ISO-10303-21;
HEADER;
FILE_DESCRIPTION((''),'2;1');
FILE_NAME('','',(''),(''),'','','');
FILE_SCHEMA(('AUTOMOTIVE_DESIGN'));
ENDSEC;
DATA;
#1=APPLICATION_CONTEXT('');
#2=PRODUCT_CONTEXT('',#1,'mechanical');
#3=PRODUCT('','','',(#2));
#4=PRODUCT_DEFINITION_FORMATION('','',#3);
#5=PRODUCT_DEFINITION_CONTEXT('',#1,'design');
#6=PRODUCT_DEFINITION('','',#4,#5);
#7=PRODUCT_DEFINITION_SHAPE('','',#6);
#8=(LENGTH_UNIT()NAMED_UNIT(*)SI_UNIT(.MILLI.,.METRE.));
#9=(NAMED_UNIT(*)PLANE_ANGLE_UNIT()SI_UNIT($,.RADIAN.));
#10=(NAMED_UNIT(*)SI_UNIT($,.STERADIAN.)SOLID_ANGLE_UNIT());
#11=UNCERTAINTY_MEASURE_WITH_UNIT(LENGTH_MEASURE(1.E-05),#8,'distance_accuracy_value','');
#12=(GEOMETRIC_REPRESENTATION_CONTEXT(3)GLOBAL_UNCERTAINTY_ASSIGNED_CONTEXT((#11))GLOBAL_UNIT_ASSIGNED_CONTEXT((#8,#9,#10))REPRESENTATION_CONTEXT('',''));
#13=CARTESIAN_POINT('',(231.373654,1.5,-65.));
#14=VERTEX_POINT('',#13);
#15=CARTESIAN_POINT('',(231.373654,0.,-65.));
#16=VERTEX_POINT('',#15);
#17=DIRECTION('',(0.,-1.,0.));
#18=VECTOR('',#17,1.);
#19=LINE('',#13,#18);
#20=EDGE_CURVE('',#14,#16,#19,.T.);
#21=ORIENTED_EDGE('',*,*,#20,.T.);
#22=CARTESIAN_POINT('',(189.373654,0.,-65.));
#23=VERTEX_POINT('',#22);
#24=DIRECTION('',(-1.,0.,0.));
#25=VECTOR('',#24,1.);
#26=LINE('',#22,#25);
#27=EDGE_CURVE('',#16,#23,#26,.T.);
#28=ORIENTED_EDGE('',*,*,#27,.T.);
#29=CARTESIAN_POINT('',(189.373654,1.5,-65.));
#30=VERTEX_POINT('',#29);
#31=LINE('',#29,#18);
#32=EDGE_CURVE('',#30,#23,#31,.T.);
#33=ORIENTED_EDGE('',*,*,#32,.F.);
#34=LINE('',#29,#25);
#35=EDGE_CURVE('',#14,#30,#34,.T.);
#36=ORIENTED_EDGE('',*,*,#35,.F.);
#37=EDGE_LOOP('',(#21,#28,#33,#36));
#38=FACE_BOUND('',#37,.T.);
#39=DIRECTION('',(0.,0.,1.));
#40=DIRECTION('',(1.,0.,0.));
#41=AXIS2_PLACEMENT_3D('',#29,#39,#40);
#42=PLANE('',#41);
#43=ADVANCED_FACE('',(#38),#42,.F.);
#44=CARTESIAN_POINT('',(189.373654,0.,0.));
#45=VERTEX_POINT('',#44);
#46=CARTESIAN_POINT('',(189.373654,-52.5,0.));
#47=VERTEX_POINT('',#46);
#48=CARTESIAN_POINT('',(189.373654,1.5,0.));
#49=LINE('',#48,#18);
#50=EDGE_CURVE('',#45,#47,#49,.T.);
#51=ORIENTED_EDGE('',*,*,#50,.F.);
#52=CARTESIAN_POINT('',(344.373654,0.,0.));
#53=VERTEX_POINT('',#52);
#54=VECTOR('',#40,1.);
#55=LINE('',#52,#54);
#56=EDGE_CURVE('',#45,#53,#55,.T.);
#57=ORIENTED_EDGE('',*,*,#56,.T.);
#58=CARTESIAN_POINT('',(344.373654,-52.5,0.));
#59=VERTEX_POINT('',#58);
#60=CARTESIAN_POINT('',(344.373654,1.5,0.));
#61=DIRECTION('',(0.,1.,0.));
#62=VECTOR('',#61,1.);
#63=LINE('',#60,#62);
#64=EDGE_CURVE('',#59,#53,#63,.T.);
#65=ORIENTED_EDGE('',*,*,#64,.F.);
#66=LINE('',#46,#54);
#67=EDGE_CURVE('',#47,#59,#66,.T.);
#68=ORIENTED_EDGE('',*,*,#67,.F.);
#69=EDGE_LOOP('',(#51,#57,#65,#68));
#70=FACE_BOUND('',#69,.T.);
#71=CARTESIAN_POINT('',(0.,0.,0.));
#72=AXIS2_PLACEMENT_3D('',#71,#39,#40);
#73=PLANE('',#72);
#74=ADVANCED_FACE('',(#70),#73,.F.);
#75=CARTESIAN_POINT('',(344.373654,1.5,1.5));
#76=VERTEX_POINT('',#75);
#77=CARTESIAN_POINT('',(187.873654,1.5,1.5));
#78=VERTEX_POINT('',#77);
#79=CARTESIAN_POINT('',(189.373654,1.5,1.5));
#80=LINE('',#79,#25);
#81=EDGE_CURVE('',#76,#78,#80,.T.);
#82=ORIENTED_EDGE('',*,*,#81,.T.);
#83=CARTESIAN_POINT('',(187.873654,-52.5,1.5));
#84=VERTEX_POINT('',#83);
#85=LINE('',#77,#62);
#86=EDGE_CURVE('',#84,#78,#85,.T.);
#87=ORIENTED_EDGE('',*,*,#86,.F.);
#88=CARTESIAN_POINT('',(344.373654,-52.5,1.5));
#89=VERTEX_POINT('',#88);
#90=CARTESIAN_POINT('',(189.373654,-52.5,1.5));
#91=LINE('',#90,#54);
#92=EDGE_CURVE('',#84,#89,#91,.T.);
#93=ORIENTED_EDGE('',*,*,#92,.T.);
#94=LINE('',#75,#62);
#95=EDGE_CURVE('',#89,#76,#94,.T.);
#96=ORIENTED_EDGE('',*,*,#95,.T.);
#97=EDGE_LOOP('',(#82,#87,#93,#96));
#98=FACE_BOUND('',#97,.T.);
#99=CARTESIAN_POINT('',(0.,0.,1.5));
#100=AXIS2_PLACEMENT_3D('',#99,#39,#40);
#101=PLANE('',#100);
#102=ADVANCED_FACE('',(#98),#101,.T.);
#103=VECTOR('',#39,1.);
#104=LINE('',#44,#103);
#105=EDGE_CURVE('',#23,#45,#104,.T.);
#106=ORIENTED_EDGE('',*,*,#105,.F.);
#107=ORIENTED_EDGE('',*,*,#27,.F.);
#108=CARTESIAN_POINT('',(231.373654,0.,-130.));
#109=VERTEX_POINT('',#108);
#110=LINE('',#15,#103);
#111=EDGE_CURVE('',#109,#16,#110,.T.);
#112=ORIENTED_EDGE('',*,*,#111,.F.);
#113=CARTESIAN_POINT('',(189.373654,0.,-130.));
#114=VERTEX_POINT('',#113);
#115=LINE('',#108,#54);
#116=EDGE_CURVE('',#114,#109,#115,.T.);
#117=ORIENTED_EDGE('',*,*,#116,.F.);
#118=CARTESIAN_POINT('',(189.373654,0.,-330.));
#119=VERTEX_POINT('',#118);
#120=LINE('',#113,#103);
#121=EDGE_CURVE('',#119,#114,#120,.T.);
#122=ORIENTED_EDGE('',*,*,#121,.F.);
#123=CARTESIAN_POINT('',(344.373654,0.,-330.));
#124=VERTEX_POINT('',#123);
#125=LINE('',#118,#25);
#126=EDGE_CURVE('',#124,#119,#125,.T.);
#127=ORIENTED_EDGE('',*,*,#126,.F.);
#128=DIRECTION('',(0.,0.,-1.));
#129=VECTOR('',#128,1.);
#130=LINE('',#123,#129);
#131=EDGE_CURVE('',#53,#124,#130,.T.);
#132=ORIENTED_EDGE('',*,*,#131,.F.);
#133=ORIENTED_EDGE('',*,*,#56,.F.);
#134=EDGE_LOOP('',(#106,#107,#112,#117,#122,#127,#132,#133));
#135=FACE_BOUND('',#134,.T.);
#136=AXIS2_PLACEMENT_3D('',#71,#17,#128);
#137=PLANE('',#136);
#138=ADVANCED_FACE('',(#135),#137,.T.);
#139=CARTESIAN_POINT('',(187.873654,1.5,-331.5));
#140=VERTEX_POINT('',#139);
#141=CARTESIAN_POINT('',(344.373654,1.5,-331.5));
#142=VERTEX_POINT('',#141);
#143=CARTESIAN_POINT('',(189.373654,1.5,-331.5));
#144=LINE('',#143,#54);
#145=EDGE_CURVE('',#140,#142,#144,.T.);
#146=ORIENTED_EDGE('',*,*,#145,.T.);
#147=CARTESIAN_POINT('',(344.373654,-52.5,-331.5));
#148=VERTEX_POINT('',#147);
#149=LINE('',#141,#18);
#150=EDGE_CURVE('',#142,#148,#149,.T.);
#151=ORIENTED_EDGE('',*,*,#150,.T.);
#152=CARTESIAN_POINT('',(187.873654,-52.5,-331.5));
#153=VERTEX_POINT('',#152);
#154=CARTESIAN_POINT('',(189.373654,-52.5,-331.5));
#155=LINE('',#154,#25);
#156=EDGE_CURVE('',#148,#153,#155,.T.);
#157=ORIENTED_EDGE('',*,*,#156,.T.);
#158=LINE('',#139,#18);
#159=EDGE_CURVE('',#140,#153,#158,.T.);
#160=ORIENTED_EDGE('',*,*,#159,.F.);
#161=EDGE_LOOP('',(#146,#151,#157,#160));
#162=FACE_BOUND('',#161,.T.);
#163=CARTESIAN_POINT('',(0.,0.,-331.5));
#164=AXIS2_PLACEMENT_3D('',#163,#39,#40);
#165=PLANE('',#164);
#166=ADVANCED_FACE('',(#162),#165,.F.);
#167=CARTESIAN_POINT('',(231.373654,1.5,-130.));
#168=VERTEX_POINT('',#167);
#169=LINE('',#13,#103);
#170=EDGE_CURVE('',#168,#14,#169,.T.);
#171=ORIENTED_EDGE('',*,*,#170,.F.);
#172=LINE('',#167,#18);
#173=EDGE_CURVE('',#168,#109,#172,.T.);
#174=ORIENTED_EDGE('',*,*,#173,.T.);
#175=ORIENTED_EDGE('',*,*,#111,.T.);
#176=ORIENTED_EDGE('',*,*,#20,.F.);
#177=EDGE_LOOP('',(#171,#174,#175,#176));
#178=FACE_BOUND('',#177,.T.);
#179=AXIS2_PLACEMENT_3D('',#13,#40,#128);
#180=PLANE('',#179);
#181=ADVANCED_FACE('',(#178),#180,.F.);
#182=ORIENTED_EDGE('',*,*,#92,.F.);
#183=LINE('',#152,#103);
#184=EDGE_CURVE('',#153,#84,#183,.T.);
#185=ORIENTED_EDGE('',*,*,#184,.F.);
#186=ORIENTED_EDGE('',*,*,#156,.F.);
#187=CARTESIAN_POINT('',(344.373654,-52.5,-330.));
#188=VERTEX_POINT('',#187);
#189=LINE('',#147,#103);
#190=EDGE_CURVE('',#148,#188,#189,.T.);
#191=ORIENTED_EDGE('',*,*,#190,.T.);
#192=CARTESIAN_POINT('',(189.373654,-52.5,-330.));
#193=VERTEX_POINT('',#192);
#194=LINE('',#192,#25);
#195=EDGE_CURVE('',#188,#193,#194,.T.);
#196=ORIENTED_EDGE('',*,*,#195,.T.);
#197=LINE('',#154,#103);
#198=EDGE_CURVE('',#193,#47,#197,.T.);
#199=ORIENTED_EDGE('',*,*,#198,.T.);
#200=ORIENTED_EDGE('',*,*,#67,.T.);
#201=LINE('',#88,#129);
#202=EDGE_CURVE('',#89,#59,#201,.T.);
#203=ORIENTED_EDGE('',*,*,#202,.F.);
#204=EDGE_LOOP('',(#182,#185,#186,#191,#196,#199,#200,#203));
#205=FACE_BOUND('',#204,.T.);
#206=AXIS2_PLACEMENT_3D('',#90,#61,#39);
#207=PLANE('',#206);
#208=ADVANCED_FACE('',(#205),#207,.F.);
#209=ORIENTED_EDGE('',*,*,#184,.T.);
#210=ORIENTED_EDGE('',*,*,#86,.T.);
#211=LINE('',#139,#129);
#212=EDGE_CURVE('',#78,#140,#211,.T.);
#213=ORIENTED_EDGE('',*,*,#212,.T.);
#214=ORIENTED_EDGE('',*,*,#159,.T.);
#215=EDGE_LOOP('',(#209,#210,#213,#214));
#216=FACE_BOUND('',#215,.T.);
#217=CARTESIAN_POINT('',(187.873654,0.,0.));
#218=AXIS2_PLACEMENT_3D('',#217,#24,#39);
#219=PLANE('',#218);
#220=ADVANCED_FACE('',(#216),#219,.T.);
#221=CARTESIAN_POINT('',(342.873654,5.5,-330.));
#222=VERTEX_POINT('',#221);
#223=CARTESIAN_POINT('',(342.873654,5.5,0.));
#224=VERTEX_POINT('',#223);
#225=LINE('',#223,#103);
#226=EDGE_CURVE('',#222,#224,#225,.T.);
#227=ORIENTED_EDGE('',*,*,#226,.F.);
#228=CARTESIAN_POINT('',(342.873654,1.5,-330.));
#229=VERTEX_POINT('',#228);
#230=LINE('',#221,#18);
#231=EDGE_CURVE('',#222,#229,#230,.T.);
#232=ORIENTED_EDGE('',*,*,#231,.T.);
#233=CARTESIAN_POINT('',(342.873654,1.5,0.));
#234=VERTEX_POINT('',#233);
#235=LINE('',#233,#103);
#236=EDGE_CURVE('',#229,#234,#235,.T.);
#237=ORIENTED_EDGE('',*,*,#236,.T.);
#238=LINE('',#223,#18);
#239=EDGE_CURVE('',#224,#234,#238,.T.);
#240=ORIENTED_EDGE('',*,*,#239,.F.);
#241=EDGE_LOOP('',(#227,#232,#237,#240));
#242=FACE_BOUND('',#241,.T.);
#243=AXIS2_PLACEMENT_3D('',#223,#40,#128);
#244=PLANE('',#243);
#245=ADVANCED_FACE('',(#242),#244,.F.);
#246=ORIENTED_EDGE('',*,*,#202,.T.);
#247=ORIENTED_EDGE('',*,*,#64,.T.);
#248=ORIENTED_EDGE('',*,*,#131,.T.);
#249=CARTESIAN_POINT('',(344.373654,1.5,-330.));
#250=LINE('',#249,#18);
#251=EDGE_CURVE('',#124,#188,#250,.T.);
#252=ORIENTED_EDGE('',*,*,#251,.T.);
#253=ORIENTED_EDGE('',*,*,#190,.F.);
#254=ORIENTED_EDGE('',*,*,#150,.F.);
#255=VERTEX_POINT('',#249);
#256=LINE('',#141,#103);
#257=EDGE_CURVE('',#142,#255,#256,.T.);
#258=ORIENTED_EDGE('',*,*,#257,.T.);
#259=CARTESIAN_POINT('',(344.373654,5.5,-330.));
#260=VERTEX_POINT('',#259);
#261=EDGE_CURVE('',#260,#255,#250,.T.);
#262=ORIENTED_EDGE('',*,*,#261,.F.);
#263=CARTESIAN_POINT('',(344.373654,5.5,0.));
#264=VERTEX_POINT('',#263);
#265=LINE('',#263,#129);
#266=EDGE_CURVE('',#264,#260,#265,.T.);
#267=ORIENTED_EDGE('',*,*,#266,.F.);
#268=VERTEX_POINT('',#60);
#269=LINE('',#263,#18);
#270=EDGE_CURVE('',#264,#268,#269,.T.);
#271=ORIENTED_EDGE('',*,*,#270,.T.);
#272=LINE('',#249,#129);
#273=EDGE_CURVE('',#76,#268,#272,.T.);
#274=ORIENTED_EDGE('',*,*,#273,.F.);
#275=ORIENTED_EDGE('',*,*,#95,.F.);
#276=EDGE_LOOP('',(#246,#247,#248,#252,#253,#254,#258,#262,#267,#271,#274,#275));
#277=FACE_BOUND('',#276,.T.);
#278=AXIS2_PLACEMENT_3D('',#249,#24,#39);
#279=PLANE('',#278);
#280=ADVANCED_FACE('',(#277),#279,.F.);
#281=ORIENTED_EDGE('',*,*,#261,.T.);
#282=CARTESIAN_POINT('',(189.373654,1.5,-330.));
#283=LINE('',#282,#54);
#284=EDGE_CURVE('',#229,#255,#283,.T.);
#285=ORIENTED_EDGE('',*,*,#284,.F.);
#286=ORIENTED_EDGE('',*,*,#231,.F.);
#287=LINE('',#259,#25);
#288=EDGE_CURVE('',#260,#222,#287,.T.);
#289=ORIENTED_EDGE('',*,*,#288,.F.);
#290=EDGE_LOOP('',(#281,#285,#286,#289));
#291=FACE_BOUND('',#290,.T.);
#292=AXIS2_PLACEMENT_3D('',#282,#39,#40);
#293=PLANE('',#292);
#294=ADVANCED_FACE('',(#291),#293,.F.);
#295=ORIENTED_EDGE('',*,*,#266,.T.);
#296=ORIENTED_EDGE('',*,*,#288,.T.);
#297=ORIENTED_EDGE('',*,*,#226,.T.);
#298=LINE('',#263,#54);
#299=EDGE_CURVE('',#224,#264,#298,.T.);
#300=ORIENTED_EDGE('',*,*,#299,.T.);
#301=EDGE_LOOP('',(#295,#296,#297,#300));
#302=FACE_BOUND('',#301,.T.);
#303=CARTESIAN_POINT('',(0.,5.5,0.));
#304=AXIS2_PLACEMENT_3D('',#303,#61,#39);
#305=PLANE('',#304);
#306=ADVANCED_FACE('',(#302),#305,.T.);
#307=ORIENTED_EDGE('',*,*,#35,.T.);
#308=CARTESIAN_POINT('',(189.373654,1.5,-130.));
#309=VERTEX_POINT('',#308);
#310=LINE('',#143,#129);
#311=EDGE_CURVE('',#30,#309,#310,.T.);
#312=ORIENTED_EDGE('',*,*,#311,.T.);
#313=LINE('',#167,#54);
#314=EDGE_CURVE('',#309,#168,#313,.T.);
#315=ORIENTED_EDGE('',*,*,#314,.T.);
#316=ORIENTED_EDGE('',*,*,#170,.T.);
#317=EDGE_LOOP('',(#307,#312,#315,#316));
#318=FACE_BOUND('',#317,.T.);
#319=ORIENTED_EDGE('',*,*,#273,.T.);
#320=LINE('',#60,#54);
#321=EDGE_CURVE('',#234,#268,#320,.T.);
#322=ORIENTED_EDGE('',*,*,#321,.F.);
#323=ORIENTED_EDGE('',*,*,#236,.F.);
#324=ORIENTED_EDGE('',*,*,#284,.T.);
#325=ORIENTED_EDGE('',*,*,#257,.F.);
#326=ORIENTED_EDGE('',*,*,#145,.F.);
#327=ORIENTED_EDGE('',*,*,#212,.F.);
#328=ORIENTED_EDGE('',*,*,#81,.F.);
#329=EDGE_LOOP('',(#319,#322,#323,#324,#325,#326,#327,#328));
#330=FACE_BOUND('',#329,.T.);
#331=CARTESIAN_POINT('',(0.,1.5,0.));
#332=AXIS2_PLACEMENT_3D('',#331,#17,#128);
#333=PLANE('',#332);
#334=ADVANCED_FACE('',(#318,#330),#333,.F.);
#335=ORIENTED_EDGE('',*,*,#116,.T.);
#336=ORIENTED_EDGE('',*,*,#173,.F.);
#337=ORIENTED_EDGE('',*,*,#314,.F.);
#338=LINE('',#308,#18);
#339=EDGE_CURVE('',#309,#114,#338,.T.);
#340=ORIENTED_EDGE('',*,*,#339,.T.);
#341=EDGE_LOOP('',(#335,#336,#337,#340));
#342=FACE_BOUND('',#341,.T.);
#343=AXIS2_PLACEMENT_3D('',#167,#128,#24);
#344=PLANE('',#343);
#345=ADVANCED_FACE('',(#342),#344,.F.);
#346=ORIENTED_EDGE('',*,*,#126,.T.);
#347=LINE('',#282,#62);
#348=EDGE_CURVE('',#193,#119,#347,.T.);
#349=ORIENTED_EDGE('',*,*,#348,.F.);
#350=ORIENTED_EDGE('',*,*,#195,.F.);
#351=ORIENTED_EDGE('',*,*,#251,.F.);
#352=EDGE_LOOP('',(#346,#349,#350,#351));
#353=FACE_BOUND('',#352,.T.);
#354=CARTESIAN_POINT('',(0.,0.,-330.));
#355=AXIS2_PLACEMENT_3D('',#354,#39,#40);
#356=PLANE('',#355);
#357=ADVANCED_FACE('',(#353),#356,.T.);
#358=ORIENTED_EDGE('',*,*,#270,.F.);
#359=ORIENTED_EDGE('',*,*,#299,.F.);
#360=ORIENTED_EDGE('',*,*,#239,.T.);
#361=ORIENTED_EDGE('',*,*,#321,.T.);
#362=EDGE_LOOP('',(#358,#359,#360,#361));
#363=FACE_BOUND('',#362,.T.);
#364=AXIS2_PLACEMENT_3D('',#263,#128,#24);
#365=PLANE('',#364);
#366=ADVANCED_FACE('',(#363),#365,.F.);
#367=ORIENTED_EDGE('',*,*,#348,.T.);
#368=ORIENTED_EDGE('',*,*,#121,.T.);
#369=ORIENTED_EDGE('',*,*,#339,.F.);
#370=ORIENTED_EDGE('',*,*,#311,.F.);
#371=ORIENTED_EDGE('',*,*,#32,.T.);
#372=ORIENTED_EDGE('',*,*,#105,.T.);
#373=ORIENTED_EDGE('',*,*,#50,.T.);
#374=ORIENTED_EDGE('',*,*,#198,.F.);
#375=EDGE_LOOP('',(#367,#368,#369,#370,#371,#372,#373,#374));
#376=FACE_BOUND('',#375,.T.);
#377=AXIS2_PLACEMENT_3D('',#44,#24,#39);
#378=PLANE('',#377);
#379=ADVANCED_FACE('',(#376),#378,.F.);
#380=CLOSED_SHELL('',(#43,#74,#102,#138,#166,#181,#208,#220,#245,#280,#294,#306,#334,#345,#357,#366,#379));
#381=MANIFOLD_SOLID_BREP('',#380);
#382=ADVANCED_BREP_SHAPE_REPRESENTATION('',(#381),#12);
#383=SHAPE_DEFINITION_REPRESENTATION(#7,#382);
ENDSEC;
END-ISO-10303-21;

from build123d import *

# Parameters (mm, degrees)
BOSS_EXTRUDE4_DEPTH  = 1.5
SKETCH5_W            = 155
SKETCH5_H            = 54
BOSS_EXTRUDE5_DEPTH  = 1.5
SKETCH8_W            = 1.5
SKETCH8_H            = 330
BOSS_EXTRUDE14_DEPTH = 4
SKETCH7_W            = 155
SKETCH7_H            = 54
BOSS_EXTRUDE18_DEPTH = 1.5
SKETCH9_W            = 333
SKETCH9_H            = 54
BOSS_EXTRUDE19_DEPTH = 1.5


with BuildPart() as part:
    # Sketch4 → Boss-Extrude4 (new body)
    with BuildSketch(Plane(origin=(0, 0, 0), x_dir=(1, 0, 0), z_dir=(0, 1, 0))):
        Polygon((189.373653762, 330), (344.373653762, 330), (344.373653762, 0), (189.373653762, 0), (189.373653762, 65), (231.373653762, 65), (231.373653762, 130), (189.373653762, 130), align=None)
    extrude(amount=BOSS_EXTRUDE4_DEPTH)

    # Sketch5 → Boss-Extrude5 (add)
    with BuildSketch(Plane.XY):
        with Locations((266.873653762, -25.5)):
            Rectangle(SKETCH5_W, SKETCH5_H)
    extrude(amount=BOSS_EXTRUDE5_DEPTH)

    # Sketch8 → Boss-Extrude14 (add)
    with BuildSketch(Plane(origin=(0, 1.5, 0), x_dir=(1, 0, 0), z_dir=(0, 1, 0))):
        with Locations((343.623653762, 165)):
            Rectangle(SKETCH8_W, SKETCH8_H)
    extrude(amount=BOSS_EXTRUDE14_DEPTH)

    # Sketch7 → Boss-Extrude18 (add)
    with BuildSketch(Plane(origin=(0, 0, -330), x_dir=(-1, 0, 0), z_dir=(0, 0, -1))):
        with Locations((-266.873653762, -25.5)):
            Rectangle(SKETCH7_W, SKETCH7_H)
    extrude(amount=BOSS_EXTRUDE18_DEPTH)

    # Sketch9 → Boss-Extrude19 (add)
    with BuildSketch(Plane.ZY.offset(-189.373653762)):
        with Locations((-165, -25.5)):
            Rectangle(SKETCH9_W, SKETCH9_H)
    extrude(amount=BOSS_EXTRUDE19_DEPTH)


solid = part.part
